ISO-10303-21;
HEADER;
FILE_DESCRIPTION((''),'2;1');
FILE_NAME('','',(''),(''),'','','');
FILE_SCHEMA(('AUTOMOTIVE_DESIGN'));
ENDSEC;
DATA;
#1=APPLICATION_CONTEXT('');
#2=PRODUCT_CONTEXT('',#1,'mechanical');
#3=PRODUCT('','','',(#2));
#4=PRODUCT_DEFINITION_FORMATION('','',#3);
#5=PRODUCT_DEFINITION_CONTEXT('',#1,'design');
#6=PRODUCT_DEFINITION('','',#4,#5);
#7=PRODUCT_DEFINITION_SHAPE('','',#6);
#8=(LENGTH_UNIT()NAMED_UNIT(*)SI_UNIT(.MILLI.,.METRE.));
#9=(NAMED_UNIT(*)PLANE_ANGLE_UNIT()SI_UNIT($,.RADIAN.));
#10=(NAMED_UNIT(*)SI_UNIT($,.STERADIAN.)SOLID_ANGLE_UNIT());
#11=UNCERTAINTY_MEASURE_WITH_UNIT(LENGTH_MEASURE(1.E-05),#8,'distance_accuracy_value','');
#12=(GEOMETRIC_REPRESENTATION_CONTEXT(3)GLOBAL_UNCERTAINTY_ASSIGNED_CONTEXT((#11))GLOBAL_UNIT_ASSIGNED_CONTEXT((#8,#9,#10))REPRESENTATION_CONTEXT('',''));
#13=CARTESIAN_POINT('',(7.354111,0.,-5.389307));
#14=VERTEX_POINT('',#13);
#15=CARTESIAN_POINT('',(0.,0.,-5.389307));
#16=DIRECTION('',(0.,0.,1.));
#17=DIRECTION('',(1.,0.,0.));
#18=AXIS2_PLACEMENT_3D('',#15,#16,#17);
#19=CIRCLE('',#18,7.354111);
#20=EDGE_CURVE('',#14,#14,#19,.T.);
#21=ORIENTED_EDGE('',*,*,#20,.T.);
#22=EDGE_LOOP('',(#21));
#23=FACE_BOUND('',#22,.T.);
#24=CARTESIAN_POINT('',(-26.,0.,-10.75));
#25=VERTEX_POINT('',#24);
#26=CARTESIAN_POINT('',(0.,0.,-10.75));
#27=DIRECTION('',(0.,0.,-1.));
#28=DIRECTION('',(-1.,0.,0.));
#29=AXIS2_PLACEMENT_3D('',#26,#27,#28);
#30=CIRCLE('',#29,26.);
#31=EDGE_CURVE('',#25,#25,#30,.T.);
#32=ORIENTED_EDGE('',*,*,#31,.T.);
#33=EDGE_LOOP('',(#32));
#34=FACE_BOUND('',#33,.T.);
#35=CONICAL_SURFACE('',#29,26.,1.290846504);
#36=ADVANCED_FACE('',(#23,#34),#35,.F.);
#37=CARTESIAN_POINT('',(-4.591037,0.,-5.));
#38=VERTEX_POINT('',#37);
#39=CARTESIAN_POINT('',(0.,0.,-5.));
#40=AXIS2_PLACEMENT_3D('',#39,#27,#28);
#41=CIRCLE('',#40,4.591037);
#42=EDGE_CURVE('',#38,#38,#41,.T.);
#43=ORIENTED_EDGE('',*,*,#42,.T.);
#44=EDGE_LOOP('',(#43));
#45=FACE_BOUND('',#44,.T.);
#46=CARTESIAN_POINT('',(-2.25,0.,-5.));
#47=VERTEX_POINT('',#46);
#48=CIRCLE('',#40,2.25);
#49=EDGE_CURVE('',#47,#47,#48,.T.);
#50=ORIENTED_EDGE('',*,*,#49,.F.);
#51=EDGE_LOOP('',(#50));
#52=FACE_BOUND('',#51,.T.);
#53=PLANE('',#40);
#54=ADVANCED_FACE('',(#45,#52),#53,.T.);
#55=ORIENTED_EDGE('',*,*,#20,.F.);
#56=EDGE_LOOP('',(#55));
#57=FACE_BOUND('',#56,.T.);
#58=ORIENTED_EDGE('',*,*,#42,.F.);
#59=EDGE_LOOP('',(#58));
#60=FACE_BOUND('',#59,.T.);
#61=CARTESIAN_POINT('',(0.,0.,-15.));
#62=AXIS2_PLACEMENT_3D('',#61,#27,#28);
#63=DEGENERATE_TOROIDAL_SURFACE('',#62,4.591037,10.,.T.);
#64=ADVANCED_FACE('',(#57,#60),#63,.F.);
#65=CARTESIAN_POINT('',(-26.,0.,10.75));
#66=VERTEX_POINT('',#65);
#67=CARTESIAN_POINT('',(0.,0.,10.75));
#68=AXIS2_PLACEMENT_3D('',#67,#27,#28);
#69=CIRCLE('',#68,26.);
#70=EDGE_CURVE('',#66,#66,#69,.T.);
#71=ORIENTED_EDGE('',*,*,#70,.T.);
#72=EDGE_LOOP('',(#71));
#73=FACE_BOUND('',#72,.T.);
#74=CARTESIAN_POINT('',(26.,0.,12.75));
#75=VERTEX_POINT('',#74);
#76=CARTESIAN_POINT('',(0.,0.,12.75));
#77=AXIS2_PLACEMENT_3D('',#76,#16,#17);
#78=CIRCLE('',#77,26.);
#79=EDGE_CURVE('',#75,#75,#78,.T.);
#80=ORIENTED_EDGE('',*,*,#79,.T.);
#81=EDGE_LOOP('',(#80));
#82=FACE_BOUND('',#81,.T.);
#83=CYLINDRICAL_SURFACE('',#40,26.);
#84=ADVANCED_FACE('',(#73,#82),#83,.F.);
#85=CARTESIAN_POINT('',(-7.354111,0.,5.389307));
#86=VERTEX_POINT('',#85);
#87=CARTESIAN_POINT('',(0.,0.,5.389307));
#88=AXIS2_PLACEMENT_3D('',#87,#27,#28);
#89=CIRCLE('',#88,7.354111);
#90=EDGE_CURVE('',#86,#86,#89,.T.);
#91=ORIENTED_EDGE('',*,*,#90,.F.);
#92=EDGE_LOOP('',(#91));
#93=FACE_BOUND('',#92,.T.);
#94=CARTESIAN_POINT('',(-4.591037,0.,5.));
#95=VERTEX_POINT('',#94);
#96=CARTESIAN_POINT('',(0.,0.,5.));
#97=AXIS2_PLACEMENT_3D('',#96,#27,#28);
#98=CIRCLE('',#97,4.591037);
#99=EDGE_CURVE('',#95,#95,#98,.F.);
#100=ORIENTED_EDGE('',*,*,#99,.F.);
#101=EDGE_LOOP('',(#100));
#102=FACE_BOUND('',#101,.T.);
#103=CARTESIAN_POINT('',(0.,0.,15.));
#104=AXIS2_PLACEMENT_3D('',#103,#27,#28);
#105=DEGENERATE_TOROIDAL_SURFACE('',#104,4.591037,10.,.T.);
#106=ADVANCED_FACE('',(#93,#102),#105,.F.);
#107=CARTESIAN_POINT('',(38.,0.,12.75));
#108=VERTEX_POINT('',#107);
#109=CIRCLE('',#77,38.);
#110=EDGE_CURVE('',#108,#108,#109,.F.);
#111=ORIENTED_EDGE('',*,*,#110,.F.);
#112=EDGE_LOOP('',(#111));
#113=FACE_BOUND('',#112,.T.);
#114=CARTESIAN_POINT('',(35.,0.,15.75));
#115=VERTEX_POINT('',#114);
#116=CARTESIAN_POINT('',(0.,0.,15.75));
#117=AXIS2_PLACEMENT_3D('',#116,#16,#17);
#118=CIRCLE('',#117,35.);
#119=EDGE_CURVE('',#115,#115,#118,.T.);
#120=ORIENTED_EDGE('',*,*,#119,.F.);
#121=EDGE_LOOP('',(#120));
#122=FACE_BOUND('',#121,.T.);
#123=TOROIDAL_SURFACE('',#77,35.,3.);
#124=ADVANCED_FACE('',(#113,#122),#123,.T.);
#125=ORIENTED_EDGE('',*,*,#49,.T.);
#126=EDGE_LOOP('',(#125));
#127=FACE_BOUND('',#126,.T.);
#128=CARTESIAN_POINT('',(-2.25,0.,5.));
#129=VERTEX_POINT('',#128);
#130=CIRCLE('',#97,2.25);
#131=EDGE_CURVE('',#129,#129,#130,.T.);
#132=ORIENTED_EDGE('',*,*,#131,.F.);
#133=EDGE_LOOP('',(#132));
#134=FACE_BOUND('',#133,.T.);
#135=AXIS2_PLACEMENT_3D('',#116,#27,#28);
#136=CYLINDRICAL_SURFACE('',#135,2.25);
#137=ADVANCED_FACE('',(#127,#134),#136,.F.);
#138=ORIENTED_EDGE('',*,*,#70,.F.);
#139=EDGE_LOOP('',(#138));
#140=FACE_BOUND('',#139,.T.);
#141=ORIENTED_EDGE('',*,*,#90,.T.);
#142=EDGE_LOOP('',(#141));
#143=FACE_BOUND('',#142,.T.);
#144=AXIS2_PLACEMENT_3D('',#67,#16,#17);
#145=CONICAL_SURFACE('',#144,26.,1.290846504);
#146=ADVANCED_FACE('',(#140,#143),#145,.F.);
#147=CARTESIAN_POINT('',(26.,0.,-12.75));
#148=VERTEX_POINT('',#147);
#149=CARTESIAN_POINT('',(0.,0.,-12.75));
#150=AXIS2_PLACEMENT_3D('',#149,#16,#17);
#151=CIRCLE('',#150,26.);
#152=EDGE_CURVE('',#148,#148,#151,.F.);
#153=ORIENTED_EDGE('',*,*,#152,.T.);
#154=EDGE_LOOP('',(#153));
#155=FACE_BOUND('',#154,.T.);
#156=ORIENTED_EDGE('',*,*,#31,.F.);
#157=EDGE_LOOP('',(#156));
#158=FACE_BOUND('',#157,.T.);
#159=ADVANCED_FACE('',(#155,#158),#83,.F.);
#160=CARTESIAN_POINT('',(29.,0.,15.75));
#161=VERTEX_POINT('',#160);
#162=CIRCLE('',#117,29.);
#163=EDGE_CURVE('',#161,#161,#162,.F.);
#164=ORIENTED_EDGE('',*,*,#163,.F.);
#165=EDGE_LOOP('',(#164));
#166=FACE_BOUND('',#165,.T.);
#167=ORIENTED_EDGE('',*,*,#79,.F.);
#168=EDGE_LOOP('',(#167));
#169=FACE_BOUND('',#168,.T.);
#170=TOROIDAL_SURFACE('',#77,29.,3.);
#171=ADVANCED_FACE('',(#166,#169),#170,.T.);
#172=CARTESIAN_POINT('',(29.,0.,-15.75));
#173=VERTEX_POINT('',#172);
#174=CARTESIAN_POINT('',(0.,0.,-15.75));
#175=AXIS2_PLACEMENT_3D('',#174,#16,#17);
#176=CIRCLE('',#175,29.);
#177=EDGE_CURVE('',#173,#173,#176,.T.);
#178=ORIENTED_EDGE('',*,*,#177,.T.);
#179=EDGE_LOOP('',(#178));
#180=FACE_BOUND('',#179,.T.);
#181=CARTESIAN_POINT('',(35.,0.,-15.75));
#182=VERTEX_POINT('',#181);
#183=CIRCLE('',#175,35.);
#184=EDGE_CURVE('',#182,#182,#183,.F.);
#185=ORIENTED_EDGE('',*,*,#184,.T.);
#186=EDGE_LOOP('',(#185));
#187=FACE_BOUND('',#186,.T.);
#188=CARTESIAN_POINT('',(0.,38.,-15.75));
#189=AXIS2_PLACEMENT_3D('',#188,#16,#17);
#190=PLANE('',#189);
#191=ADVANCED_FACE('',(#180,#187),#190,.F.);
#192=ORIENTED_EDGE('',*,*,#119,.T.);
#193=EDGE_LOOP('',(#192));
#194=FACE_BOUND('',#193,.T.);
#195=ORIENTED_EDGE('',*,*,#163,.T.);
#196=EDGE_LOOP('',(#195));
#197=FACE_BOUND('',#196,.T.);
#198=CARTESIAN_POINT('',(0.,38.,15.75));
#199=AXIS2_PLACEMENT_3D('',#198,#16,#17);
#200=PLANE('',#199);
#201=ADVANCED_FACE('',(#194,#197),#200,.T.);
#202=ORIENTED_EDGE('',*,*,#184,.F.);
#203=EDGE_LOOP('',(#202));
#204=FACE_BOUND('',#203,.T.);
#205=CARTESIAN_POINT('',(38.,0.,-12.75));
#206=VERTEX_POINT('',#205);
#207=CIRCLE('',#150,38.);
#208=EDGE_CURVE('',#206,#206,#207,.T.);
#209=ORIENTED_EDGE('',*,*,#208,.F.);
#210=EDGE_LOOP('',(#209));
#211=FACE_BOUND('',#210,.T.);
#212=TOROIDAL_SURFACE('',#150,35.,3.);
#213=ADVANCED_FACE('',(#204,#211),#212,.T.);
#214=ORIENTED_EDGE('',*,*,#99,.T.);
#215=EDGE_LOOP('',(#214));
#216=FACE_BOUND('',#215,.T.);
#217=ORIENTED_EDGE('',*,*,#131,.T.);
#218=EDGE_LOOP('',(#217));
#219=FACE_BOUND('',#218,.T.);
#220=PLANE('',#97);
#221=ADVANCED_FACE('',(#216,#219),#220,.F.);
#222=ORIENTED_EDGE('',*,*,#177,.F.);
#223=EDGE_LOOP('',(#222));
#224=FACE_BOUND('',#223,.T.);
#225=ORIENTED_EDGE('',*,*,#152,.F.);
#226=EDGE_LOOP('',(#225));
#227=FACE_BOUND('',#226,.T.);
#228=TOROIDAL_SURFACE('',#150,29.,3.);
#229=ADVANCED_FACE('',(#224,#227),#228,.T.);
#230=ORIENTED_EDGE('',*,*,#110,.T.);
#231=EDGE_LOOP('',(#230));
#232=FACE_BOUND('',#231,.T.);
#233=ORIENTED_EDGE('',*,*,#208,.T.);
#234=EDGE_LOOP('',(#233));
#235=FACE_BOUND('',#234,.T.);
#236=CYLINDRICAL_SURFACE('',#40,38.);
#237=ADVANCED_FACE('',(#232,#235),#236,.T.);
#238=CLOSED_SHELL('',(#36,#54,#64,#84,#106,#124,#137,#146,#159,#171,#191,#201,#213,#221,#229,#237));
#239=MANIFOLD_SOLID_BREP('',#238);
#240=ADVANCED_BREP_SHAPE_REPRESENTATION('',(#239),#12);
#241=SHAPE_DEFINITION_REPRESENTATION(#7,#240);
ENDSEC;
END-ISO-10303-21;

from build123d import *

# Parameters (mm, degrees)
CROQUIS2_R            = 2.25
CORTAR_EXTRUIR1_DEPTH = 21.75
REDONDEO1_R           = 3
REDONDEO2_R           = 10


with BuildPart() as part:
    # Croquis1 → Revolución4 (revolve)
    with BuildSketch(Plane(origin=(0, 0, 0), x_dir=(0, 0, -1), z_dir=(1, 0, 0))):
        Polygon((15.75, 38), (-15.75, 38), (-15.75, 26), (-10.75, 26), (-5, 6), (-5, 0), (5, 0), (5, 6), (10.75, 26), (15.75, 26), align=None)
    revolve(axis=Axis((0, 0, -5), (0, 0, 1)))

    # Croquis2 → Cortar-Extruir1 (cut, through all)
    with BuildSketch(Plane(origin=(0, 0, -5), x_dir=(-1, 0, 0), z_dir=(0, 0, -1))):
        Circle(CROQUIS2_R)
    extrude(amount=-CORTAR_EXTRUIR1_DEPTH, mode=Mode.SUBTRACT)

    # Redondeo1
    redondeo1_edges = [part.edges().sort_by_distance(p)[0] for p in [
        (0, -38, 15.75),
        (0, -26, 15.75),
        (0, -26, -15.75),
        (0, -38, -15.75),
    ]]
    fillet(redondeo1_edges, radius=REDONDEO1_R)

    # Redondeo2
    redondeo2_edges = [part.edges().sort_by_distance(p)[0] for p in [
        (0, -6, 5),
        (0, -6, -5),
    ]]
    fillet(redondeo2_edges, radius=REDONDEO2_R)


solid = part.part
